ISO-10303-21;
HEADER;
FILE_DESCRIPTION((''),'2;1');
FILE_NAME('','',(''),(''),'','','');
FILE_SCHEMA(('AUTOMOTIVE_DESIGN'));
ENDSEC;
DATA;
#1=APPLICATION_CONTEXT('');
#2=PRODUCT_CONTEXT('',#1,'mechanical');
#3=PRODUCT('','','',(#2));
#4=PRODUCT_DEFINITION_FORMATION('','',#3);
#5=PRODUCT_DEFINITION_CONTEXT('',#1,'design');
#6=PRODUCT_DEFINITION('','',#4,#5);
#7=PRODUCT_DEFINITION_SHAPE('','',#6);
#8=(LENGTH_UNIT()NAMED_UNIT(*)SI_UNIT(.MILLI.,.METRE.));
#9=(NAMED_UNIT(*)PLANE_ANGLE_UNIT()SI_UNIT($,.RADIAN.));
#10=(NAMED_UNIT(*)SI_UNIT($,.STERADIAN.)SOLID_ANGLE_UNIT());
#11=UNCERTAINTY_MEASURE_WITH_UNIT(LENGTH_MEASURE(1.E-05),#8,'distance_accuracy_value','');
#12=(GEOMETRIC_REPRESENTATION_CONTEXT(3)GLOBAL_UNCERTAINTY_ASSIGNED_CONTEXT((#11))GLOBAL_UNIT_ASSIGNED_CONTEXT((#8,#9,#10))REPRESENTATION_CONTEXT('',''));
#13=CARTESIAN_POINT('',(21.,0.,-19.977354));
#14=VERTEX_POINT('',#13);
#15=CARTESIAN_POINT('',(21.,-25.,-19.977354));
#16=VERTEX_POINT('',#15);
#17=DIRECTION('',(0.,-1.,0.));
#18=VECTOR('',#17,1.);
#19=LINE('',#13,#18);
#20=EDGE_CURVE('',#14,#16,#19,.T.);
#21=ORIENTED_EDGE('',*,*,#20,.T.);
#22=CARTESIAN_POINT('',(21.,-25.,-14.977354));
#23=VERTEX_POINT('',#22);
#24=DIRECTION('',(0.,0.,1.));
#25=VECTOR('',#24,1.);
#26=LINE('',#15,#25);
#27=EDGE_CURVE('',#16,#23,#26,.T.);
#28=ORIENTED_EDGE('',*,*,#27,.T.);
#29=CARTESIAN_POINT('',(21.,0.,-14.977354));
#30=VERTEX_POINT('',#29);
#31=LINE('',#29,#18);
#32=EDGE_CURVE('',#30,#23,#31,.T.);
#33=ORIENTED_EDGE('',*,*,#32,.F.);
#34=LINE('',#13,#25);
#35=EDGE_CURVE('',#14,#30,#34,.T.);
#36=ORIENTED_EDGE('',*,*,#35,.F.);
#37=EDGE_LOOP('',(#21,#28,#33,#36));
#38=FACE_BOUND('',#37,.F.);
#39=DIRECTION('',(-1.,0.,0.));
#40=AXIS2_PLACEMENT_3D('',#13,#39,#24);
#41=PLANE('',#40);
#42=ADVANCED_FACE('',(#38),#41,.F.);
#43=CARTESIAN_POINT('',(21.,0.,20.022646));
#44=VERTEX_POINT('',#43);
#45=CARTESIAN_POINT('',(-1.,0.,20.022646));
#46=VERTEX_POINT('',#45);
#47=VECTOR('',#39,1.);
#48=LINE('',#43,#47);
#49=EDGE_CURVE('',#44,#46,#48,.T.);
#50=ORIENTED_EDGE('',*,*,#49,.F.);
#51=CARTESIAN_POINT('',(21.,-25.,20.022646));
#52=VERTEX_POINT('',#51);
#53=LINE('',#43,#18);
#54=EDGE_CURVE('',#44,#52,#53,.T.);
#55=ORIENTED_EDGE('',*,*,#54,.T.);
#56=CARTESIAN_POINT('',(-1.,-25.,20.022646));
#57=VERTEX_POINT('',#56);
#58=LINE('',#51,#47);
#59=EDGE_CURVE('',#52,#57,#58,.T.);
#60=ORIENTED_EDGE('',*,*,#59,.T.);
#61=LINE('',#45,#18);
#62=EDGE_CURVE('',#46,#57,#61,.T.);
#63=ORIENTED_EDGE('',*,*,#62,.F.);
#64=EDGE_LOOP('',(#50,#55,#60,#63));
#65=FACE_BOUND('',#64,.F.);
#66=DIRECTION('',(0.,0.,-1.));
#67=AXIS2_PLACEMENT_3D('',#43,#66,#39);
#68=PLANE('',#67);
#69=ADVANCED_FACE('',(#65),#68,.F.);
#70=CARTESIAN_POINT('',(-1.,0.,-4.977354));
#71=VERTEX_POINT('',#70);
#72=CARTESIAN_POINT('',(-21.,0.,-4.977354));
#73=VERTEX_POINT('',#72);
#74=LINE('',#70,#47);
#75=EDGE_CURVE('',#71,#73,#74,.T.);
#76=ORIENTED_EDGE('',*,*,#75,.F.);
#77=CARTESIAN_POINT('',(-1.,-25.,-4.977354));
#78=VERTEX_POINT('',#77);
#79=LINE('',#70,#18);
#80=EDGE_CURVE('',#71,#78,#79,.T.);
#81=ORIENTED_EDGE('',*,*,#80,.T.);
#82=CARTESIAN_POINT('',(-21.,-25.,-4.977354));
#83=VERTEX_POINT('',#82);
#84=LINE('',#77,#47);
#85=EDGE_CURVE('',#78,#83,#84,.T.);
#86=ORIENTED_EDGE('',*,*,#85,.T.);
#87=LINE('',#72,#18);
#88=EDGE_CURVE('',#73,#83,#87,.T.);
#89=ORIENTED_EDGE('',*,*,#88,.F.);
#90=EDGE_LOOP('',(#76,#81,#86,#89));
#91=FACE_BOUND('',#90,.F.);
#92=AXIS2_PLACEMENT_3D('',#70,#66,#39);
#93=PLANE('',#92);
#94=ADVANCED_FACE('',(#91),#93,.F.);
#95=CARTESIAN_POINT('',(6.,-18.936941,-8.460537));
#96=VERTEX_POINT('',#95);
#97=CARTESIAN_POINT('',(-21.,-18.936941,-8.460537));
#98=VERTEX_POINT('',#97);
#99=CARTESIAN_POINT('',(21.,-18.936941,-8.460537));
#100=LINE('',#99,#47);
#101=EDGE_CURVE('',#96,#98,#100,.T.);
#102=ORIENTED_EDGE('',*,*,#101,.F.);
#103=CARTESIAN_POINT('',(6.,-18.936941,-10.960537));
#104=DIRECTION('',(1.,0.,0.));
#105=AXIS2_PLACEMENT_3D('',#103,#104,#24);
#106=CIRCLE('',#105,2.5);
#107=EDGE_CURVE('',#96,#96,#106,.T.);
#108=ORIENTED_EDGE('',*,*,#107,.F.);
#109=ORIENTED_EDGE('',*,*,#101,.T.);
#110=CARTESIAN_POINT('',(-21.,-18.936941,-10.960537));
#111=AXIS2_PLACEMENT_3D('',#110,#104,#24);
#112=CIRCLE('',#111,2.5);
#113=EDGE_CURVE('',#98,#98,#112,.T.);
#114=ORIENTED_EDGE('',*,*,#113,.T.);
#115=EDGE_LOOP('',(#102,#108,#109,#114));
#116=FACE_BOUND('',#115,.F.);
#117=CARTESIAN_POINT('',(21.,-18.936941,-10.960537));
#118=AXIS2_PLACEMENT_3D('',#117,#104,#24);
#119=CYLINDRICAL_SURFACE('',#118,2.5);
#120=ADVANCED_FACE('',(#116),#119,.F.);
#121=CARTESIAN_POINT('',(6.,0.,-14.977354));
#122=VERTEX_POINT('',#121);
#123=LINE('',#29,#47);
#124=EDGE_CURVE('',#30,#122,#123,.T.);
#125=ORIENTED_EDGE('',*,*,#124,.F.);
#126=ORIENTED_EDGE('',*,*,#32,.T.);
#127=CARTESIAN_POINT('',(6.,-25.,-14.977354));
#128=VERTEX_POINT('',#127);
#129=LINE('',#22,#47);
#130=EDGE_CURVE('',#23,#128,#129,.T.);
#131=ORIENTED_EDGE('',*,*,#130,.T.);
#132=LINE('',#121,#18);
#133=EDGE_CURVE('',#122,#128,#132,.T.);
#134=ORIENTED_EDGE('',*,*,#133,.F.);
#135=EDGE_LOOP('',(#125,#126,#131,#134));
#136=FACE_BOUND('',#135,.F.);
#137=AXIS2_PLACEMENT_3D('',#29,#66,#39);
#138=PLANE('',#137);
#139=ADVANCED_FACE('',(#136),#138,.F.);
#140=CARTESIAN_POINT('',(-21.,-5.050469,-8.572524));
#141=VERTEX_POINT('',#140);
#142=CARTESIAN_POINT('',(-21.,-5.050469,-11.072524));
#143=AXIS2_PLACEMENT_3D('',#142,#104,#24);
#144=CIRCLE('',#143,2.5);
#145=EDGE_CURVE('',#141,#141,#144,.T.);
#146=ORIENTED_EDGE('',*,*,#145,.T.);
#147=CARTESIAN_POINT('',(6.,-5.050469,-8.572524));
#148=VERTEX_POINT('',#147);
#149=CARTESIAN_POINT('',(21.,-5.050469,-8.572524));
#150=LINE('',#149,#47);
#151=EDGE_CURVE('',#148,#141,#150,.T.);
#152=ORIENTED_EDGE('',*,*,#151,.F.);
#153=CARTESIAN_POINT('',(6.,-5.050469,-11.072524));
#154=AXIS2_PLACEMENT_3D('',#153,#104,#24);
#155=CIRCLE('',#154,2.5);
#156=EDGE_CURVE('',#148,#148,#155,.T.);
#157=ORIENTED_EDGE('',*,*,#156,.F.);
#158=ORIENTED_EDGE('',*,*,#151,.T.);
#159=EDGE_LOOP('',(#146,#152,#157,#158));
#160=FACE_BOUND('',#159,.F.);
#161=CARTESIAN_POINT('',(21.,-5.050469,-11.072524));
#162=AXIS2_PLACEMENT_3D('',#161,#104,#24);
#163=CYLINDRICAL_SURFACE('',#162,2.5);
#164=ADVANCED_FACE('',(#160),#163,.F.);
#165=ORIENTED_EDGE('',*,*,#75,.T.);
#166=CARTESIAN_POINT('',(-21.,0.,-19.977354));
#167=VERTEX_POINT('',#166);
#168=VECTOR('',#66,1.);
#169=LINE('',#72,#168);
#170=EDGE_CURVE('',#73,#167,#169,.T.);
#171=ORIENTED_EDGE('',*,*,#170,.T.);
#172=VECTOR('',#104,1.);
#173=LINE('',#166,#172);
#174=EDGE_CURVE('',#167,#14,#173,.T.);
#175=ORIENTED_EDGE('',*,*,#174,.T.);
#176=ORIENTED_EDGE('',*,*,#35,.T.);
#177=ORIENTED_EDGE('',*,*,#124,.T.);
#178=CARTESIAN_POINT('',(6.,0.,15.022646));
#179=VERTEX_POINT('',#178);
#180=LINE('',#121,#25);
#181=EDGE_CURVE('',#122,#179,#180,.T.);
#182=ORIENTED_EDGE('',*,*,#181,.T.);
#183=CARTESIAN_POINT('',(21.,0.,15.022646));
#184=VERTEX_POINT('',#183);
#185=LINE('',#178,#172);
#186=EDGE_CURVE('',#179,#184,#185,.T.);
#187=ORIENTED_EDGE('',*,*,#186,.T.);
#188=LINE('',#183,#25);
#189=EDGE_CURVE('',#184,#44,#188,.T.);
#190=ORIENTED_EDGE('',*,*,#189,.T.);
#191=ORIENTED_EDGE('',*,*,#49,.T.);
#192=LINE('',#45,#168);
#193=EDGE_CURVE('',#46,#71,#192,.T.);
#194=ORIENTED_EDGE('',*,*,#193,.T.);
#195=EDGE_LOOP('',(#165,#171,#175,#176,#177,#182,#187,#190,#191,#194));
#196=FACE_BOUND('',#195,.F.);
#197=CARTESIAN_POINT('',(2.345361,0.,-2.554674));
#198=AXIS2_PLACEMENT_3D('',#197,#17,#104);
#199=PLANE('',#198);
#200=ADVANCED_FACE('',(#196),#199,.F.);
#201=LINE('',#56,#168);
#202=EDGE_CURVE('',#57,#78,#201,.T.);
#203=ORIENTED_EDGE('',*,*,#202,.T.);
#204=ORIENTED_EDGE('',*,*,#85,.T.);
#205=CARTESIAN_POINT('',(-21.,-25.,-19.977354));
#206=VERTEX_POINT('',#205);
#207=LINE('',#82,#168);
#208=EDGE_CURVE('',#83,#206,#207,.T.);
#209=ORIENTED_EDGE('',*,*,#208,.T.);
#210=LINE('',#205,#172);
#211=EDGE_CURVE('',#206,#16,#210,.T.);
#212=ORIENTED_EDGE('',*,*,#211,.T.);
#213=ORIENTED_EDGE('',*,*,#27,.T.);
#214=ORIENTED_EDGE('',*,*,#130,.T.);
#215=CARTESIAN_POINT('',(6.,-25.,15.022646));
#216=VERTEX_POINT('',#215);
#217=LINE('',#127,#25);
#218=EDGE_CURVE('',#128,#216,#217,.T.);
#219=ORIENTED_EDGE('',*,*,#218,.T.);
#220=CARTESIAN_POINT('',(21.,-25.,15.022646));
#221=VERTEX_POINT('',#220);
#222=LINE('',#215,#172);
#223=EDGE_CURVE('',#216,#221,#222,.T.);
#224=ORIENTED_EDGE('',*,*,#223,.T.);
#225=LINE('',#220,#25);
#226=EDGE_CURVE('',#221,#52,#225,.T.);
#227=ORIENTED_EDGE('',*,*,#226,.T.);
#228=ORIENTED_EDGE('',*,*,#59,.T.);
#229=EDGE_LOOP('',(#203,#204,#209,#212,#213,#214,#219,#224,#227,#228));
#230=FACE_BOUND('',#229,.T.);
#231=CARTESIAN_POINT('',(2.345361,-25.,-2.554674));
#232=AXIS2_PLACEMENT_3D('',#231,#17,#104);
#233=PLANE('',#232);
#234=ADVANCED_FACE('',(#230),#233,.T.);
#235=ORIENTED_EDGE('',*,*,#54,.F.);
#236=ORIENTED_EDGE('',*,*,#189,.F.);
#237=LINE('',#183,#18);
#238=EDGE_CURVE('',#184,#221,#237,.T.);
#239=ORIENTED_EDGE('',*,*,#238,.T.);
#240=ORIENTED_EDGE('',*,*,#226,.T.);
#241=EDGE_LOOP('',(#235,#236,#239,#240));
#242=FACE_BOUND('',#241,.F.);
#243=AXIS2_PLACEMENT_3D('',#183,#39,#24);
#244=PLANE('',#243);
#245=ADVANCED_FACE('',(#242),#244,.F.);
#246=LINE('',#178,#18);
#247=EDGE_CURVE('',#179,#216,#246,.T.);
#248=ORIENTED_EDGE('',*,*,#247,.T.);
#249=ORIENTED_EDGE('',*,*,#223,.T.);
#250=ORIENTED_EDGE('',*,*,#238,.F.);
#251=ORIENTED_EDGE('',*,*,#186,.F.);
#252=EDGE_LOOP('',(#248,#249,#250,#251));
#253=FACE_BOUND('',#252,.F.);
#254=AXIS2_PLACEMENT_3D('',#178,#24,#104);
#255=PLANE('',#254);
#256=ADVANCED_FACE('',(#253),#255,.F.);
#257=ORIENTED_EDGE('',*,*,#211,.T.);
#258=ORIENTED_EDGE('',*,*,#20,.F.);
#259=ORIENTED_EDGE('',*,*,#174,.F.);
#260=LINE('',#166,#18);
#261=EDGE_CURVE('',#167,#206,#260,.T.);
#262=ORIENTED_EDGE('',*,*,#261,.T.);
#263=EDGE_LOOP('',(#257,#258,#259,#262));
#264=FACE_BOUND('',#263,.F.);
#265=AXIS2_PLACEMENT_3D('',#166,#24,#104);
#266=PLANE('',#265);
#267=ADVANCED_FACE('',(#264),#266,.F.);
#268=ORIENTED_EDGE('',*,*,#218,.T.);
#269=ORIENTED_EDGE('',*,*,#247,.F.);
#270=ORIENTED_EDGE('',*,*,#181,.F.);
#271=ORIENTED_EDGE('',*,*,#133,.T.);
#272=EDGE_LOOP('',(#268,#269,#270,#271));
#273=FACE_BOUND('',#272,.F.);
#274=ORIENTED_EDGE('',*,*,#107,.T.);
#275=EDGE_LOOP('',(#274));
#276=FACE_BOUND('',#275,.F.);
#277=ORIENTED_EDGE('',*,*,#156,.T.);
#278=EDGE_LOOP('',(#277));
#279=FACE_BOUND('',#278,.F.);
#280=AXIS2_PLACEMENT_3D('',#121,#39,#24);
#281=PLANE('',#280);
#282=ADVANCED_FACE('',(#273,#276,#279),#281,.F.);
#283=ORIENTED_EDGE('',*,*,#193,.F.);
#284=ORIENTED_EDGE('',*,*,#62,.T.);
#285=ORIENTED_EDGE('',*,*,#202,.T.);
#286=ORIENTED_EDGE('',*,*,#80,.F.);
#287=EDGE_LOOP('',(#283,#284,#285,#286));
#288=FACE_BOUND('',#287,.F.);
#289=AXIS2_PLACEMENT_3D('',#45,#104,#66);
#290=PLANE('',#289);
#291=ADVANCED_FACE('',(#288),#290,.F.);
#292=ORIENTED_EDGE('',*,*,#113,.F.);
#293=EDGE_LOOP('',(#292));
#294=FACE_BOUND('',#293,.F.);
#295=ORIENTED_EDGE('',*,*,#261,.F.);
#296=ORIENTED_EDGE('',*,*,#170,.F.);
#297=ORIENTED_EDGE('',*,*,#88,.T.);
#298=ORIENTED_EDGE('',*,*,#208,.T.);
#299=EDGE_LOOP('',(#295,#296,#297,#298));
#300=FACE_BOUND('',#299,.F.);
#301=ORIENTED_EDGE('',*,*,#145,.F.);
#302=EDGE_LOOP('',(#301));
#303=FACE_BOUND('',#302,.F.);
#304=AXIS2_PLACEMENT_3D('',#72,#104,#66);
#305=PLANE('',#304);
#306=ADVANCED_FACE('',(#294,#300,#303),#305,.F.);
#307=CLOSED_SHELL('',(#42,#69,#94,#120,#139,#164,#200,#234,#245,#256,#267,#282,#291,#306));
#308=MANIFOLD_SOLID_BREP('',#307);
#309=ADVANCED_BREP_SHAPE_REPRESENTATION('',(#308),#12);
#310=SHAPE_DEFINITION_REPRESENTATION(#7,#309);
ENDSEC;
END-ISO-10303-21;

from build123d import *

# Parameters (mm, degrees)
PAD_DEPTH   = 25
SKETCH001_R = 2.5
HOLE_DEPTH  = 45


with BuildPart() as part:
    # Sketch → Pad (new body)
    with BuildSketch(Plane.XZ):
        Polygon((-21, -19.977354), (21, -19.977354), (21, -14.977354), (6, -14.977354), (6, 15.022646), (21, 15.022646), (21, 20.022646), (-1, 20.022646), (-1, -4.977354), (-21, -4.977354), align=None)
    extrude(amount=PAD_DEPTH)

    # Sketch001 (on Face6 of Pad) → Hole (cut)
    with BuildSketch(Plane(origin=(21, 0, 0), x_dir=(0, 0, 1), z_dir=(1, 0, 0))):
        with Locations((-10.960537, 18.936941)):
            Circle(SKETCH001_R)
        with Locations((-11.072524, 5.050469)):
            Circle(SKETCH001_R)
    extrude(amount=-HOLE_DEPTH, mode=Mode.SUBTRACT)


solid = part.part
